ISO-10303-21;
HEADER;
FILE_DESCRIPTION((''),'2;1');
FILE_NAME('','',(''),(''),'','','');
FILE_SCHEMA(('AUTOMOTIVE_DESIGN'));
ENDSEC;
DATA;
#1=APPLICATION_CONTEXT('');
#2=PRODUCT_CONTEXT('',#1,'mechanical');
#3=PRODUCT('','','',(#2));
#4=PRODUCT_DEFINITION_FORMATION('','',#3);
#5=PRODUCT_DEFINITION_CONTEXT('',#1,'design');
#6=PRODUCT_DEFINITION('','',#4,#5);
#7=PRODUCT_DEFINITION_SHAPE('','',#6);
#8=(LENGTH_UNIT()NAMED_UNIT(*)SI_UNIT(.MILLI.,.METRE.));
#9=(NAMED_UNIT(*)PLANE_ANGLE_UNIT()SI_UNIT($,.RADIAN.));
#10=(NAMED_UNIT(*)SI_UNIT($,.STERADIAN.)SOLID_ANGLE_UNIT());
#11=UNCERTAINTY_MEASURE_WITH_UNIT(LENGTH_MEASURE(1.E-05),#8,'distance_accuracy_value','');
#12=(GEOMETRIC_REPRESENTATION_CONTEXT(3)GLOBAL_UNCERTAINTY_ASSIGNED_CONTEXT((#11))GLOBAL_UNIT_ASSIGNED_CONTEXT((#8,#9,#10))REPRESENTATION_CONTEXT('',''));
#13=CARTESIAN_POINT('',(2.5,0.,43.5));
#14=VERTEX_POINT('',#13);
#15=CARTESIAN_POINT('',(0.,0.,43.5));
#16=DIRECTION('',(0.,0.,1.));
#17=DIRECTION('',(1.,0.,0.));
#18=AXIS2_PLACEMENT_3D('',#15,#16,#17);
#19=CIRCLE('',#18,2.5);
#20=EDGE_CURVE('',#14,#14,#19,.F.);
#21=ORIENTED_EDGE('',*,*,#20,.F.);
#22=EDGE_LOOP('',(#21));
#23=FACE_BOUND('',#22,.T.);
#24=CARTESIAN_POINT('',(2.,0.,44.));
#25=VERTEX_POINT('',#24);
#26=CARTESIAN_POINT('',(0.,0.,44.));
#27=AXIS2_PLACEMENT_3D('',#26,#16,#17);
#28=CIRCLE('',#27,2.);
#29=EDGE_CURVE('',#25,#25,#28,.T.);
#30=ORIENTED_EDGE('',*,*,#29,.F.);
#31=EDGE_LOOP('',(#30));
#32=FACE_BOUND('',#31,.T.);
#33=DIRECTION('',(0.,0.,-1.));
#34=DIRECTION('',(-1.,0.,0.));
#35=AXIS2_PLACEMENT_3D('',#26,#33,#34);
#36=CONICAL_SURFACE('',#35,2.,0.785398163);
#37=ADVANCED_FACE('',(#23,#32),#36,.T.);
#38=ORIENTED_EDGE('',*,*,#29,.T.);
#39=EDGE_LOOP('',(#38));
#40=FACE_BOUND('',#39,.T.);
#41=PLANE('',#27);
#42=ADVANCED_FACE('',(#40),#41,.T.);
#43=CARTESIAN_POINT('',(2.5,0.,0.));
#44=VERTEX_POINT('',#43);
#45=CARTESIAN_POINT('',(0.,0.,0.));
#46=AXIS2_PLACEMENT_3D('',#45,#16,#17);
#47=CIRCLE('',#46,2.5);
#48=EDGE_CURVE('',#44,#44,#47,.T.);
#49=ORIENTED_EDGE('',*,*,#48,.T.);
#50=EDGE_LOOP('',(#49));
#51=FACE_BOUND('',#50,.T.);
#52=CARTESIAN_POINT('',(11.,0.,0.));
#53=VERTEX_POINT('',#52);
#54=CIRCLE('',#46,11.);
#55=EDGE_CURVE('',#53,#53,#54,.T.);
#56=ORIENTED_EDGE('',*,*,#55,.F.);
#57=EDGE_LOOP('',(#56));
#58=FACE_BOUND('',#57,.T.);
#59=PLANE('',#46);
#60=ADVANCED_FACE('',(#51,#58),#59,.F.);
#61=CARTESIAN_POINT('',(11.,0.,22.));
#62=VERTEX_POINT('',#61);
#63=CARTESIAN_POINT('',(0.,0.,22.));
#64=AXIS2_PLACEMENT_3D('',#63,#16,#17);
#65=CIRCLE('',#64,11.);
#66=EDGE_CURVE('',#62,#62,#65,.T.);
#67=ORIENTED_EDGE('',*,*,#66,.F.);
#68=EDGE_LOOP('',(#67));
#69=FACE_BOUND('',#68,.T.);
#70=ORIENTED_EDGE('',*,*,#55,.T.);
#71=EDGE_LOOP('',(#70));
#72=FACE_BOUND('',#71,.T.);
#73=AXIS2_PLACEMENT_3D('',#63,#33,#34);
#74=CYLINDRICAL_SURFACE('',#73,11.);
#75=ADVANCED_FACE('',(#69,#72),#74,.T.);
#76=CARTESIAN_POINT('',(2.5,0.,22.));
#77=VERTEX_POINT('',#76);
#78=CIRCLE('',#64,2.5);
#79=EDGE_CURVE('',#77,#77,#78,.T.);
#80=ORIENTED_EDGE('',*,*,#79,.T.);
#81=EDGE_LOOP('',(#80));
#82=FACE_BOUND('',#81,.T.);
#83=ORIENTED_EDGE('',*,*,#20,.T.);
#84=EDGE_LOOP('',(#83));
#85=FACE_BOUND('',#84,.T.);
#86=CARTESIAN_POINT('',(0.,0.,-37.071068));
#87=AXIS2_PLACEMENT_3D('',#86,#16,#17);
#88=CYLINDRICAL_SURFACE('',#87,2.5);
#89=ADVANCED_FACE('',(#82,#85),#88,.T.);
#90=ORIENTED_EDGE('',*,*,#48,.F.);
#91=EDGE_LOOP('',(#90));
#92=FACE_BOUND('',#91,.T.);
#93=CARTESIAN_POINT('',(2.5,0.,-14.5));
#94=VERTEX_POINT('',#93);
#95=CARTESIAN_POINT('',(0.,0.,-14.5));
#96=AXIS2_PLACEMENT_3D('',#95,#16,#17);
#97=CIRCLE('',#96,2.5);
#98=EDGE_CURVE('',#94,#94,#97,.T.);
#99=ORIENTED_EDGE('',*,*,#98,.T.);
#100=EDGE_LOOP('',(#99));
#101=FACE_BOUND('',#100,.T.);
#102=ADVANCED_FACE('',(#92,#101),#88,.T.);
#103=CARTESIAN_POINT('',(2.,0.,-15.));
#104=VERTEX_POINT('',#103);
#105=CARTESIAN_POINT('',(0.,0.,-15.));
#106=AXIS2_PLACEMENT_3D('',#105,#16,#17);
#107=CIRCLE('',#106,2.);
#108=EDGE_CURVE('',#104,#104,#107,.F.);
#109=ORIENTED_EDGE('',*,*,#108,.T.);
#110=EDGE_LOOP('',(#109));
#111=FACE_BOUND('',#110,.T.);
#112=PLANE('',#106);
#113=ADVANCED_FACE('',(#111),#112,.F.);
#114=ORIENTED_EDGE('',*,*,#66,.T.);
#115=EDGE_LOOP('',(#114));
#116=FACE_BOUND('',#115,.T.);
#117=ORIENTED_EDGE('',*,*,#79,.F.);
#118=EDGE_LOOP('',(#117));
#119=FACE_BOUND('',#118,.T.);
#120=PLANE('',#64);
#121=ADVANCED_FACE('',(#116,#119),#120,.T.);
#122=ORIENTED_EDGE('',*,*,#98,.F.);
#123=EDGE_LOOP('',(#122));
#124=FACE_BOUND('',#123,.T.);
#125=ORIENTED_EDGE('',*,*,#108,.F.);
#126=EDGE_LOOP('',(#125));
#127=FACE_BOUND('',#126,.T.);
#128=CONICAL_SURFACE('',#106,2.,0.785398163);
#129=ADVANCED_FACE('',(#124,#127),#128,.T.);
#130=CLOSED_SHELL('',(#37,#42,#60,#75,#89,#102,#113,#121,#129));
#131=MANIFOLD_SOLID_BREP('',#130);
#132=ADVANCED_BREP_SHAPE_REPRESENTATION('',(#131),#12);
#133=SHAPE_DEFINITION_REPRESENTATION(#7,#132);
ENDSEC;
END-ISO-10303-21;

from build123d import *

# Parameters (mm, degrees)
SKETCH1_R           = 11
SKETCH1_R_2         = 2.5
BOSS_EXTRUDE1_DEPTH = 22
BOSS_EXTRUDE2_START = -15
BOSS_EXTRUDE2_DEPTH = 59
CHAMFER2_SIZE       = 0.5


with BuildPart() as part:
    # Sketch1 → Boss-Extrude1 (new body)
    # profile 1 of 5: a face of its own
    with BuildSketch(Plane.XY):
        Circle(SKETCH1_R)
        Circle(SKETCH1_R_2, mode=Mode.SUBTRACT)
    # profile 2 of 5: a face of its own
    with BuildSketch(Plane.XY):
        with BuildLine():
            ThreePointArc((1.5, 2), (0, 2.5), (-1.5, 2))
            Line((-1.5, 2), (1.5, 2))
        make_face()
    # profile 3 of 5: a face of its own
    with BuildSketch(Plane.XY):
        with BuildLine():
            Line((1.5, 2), (-1.5, 2))
            ThreePointArc((-1.5, 2), (-1.118033989, -2.236067977), (2.5, 0))
            ThreePointArc((2.5, 0), (2.236067977, 1.118033989), (1.5, 2))
        make_face()
    # profile 4 of 5: a face of its own
    with BuildSketch(Plane.XY):
        with BuildLine():
            ThreePointArc((1.5, 2), (0, 2.5), (-1.5, 2))
            Line((-1.5, 2), (1.5, 2))
        make_face()
    # profile 5 of 5: a face of its own
    with BuildSketch(Plane.XY):
        with BuildLine():
            Line((1.5, 2), (-1.5, 2))
            ThreePointArc((-1.5, 2), (-1.118033989, -2.236067977), (2.5, 0))
            ThreePointArc((2.5, 0), (2.236067977, 1.118033989), (1.5, 2))
        make_face()
    extrude(amount=BOSS_EXTRUDE1_DEPTH)

    # Sketch1<3> → Boss-Extrude2 (add)
    with BuildSketch(Plane.XY.offset(BOSS_EXTRUDE2_START)):
        with BuildLine():
            ThreePointArc((1.5, 2), (0, 2.5), (-1.5, 2))
            Line((-1.5, 2), (1.5, 2))
        make_face()
        with BuildLine():
            Line((1.5, 2), (-1.5, 2))
            ThreePointArc((-1.5, 2), (-1.118033989, -2.236067977), (2.5, 0))
            ThreePointArc((2.5, 0), (2.236067977, 1.118033989), (1.5, 2))
        make_face()
    extrude(amount=BOSS_EXTRUDE2_DEPTH)

    # Chamfer2
    chamfer2_edges = [part.edges().sort_by_distance(p)[0] for p in [
        (-2.5, 0, -15),
        (-2.5, 0, 44),
    ]]
    chamfer(chamfer2_edges, length=CHAMFER2_SIZE)


solid = part.part
